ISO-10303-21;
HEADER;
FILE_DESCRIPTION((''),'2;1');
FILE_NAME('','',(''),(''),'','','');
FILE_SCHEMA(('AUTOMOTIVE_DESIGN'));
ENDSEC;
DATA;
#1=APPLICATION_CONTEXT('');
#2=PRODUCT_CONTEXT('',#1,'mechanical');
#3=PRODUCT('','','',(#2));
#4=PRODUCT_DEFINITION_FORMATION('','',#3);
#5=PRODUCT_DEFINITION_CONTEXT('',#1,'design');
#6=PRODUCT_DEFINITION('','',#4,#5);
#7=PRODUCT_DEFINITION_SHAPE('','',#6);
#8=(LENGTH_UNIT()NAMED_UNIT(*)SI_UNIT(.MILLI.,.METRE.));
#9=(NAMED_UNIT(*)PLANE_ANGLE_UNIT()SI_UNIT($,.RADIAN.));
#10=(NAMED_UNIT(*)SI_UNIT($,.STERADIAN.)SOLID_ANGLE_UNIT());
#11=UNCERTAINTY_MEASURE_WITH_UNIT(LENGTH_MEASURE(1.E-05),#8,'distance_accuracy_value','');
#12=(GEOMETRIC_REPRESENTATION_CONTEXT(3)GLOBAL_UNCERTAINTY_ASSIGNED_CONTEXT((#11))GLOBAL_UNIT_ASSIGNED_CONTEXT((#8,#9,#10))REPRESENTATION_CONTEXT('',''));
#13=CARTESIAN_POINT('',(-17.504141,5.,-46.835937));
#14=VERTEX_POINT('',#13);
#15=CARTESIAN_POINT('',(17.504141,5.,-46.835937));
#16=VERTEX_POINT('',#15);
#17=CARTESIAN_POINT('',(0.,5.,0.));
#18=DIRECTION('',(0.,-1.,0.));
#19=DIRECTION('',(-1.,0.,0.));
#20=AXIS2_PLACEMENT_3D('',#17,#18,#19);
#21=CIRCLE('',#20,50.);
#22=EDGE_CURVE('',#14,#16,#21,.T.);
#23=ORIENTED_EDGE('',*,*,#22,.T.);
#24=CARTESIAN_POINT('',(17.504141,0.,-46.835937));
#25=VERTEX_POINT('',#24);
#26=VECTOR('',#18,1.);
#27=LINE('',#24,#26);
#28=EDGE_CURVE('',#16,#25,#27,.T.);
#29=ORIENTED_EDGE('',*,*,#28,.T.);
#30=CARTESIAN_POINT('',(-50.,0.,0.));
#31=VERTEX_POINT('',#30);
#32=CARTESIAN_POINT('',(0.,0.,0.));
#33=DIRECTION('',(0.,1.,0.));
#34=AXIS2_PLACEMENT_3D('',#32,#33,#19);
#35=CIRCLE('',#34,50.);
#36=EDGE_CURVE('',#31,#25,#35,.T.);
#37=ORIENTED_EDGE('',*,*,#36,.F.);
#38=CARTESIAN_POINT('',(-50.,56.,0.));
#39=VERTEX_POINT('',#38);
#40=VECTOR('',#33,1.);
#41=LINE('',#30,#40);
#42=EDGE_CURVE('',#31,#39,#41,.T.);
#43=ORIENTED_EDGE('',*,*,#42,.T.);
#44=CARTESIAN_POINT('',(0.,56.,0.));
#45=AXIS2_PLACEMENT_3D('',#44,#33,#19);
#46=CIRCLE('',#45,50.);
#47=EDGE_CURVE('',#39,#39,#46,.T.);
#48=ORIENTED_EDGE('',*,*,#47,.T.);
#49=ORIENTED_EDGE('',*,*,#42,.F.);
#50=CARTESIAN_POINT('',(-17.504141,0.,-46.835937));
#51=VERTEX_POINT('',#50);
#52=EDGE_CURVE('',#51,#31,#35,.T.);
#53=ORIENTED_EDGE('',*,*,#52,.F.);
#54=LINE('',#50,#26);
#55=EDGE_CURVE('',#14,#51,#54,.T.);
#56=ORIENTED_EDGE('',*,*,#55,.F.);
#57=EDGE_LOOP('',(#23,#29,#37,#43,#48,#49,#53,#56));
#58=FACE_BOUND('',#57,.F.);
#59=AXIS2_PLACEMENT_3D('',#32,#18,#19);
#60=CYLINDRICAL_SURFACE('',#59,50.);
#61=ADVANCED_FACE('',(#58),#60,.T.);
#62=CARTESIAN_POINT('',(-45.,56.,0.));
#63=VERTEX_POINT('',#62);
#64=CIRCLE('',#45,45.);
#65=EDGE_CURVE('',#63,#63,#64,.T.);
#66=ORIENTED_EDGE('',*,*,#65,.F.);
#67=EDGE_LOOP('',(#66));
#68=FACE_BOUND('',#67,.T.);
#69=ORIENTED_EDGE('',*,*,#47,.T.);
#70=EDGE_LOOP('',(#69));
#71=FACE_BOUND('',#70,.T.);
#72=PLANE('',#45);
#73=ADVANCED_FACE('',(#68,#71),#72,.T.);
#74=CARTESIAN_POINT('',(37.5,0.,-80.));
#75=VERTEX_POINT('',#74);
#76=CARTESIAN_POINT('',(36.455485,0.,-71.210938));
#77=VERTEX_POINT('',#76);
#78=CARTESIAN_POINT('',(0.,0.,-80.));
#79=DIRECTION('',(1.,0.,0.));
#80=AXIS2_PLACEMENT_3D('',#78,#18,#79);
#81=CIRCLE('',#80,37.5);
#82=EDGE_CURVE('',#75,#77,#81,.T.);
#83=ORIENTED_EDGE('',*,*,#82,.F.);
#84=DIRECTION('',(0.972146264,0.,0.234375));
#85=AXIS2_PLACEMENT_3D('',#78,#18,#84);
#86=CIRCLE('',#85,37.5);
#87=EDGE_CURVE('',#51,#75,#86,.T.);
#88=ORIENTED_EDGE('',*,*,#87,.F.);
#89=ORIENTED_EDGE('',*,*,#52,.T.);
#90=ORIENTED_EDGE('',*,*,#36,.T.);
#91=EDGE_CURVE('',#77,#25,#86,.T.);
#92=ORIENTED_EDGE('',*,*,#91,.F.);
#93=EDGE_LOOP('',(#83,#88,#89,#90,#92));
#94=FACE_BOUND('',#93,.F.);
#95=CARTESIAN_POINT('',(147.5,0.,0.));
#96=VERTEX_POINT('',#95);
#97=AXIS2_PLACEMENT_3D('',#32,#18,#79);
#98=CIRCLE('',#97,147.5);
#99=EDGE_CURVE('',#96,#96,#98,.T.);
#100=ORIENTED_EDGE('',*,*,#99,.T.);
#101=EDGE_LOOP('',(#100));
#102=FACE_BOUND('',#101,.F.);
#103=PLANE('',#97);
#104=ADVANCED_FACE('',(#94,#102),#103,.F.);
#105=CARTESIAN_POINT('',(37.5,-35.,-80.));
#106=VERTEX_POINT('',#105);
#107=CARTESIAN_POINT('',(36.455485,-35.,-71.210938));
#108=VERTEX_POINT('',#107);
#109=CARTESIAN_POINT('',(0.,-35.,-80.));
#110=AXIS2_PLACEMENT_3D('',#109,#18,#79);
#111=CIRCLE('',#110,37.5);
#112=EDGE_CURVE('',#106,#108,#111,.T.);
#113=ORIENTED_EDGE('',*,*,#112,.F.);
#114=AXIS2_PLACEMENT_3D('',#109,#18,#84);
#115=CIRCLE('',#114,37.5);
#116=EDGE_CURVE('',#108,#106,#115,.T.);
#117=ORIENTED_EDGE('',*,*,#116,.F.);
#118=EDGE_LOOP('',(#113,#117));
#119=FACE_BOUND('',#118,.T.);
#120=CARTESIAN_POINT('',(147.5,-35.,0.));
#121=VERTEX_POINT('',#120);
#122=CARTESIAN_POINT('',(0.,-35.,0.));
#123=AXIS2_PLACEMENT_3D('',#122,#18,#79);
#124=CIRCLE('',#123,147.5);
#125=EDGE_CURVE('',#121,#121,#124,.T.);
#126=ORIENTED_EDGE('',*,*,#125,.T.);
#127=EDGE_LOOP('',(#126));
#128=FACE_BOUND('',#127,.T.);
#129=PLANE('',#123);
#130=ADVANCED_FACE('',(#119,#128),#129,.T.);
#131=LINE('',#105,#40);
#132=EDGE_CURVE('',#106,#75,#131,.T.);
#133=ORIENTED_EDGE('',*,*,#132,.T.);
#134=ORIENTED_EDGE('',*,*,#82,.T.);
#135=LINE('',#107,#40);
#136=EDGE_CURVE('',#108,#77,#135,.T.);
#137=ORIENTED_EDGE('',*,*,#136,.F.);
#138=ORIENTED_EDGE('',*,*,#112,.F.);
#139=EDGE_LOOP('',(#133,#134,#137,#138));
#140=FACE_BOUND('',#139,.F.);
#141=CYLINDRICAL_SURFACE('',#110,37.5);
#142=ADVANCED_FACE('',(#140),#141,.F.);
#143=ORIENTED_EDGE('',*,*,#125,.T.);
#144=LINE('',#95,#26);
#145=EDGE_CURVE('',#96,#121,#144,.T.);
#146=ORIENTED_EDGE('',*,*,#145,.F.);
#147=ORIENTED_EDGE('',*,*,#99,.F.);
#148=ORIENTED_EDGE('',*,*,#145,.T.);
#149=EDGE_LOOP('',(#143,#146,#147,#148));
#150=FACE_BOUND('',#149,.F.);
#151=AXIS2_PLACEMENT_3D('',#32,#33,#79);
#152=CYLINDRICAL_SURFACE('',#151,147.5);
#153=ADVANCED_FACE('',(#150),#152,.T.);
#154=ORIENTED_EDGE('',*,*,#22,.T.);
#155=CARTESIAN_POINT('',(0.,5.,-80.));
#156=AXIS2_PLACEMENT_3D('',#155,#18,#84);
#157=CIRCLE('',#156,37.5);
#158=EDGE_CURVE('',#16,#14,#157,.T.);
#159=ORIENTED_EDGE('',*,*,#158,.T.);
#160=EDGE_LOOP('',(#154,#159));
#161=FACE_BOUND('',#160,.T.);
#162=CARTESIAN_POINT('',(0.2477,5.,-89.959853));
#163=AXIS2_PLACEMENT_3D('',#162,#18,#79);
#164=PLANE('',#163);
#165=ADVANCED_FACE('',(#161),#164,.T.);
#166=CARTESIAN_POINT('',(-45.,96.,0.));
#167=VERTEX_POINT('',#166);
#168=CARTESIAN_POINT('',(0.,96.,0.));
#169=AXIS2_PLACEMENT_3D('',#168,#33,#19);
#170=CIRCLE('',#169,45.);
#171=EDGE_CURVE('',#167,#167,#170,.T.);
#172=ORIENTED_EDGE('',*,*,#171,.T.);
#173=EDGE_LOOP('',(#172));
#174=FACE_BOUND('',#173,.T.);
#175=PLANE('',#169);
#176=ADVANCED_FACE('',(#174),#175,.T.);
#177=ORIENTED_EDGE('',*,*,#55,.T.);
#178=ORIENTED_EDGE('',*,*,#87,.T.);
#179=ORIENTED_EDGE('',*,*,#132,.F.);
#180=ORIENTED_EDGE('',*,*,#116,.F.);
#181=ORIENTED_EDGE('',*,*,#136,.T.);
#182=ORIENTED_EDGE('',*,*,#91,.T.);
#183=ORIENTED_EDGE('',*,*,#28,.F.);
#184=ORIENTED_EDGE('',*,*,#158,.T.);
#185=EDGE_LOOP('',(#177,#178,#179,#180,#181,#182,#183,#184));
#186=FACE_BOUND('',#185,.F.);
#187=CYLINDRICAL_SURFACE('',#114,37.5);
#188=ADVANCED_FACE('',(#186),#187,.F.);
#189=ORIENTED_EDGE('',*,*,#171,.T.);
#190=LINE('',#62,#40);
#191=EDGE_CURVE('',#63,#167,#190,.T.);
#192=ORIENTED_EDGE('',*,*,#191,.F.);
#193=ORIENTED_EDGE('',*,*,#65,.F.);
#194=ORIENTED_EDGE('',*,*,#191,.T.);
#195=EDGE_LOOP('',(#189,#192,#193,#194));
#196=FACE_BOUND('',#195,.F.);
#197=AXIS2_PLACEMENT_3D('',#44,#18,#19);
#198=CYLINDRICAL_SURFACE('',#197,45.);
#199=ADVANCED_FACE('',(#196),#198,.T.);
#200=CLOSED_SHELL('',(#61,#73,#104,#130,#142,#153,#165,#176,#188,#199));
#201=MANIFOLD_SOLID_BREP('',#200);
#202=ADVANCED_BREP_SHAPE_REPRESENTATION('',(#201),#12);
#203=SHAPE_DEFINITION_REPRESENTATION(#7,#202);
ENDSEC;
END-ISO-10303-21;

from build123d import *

# Parameters (mm, degrees)
F0_R     = 147.5
F1_DEPTH = 35
F2_R     = 50
F3_DEPTH = 56
F4_R     = 45
F5_DEPTH = 40
F7_DEPTH = 40


with BuildPart() as f1:
    # F0 (on Front) → F1 (new body)
    with BuildSketch(Plane.XZ):
        Circle(F0_R)
    extrude(amount=F1_DEPTH)

    # F2 (on face) → F3 (join)
    with BuildSketch(Plane(origin=(0, 0, 0), x_dir=(-1, 0, 0), z_dir=(0, 1, 0))):
        Circle(F2_R)
    extrude(amount=F3_DEPTH)

    # F4 (on face) → F5 (join)
    with BuildSketch(Plane(origin=(0, 56, 0), x_dir=(-1, 0, 0), z_dir=(0, 1, 0))):
        Circle(F4_R)
    extrude(amount=F5_DEPTH)

    # F6 (on face) → F7 (cut)
    with BuildSketch(Plane.XZ.offset(35)):
        with BuildLine():
            ThreePointArc((36.4554849148, -71.2109375), (0, -80), (-36.4554849148, -71.2109375))
            ThreePointArc((-36.4554849148, -71.2109375), (-4.4254556656, -117.2379556656), (37.5, -80))
            ThreePointArc((37.5, -80), (37.2379556656, -75.5745443344), (36.4554849148, -71.2109375))
        make_face()
        with BuildLine():
            ThreePointArc((36.4554849148, -71.2109375), (0, -42.5), (-36.4554849148, -71.2109375))
            ThreePointArc((-36.4554849148, -71.2109375), (0, -80), (36.4554849148, -71.2109375))
        make_face()
    extrude(amount=-F7_DEPTH, mode=Mode.SUBTRACT)


solid = f1.part
